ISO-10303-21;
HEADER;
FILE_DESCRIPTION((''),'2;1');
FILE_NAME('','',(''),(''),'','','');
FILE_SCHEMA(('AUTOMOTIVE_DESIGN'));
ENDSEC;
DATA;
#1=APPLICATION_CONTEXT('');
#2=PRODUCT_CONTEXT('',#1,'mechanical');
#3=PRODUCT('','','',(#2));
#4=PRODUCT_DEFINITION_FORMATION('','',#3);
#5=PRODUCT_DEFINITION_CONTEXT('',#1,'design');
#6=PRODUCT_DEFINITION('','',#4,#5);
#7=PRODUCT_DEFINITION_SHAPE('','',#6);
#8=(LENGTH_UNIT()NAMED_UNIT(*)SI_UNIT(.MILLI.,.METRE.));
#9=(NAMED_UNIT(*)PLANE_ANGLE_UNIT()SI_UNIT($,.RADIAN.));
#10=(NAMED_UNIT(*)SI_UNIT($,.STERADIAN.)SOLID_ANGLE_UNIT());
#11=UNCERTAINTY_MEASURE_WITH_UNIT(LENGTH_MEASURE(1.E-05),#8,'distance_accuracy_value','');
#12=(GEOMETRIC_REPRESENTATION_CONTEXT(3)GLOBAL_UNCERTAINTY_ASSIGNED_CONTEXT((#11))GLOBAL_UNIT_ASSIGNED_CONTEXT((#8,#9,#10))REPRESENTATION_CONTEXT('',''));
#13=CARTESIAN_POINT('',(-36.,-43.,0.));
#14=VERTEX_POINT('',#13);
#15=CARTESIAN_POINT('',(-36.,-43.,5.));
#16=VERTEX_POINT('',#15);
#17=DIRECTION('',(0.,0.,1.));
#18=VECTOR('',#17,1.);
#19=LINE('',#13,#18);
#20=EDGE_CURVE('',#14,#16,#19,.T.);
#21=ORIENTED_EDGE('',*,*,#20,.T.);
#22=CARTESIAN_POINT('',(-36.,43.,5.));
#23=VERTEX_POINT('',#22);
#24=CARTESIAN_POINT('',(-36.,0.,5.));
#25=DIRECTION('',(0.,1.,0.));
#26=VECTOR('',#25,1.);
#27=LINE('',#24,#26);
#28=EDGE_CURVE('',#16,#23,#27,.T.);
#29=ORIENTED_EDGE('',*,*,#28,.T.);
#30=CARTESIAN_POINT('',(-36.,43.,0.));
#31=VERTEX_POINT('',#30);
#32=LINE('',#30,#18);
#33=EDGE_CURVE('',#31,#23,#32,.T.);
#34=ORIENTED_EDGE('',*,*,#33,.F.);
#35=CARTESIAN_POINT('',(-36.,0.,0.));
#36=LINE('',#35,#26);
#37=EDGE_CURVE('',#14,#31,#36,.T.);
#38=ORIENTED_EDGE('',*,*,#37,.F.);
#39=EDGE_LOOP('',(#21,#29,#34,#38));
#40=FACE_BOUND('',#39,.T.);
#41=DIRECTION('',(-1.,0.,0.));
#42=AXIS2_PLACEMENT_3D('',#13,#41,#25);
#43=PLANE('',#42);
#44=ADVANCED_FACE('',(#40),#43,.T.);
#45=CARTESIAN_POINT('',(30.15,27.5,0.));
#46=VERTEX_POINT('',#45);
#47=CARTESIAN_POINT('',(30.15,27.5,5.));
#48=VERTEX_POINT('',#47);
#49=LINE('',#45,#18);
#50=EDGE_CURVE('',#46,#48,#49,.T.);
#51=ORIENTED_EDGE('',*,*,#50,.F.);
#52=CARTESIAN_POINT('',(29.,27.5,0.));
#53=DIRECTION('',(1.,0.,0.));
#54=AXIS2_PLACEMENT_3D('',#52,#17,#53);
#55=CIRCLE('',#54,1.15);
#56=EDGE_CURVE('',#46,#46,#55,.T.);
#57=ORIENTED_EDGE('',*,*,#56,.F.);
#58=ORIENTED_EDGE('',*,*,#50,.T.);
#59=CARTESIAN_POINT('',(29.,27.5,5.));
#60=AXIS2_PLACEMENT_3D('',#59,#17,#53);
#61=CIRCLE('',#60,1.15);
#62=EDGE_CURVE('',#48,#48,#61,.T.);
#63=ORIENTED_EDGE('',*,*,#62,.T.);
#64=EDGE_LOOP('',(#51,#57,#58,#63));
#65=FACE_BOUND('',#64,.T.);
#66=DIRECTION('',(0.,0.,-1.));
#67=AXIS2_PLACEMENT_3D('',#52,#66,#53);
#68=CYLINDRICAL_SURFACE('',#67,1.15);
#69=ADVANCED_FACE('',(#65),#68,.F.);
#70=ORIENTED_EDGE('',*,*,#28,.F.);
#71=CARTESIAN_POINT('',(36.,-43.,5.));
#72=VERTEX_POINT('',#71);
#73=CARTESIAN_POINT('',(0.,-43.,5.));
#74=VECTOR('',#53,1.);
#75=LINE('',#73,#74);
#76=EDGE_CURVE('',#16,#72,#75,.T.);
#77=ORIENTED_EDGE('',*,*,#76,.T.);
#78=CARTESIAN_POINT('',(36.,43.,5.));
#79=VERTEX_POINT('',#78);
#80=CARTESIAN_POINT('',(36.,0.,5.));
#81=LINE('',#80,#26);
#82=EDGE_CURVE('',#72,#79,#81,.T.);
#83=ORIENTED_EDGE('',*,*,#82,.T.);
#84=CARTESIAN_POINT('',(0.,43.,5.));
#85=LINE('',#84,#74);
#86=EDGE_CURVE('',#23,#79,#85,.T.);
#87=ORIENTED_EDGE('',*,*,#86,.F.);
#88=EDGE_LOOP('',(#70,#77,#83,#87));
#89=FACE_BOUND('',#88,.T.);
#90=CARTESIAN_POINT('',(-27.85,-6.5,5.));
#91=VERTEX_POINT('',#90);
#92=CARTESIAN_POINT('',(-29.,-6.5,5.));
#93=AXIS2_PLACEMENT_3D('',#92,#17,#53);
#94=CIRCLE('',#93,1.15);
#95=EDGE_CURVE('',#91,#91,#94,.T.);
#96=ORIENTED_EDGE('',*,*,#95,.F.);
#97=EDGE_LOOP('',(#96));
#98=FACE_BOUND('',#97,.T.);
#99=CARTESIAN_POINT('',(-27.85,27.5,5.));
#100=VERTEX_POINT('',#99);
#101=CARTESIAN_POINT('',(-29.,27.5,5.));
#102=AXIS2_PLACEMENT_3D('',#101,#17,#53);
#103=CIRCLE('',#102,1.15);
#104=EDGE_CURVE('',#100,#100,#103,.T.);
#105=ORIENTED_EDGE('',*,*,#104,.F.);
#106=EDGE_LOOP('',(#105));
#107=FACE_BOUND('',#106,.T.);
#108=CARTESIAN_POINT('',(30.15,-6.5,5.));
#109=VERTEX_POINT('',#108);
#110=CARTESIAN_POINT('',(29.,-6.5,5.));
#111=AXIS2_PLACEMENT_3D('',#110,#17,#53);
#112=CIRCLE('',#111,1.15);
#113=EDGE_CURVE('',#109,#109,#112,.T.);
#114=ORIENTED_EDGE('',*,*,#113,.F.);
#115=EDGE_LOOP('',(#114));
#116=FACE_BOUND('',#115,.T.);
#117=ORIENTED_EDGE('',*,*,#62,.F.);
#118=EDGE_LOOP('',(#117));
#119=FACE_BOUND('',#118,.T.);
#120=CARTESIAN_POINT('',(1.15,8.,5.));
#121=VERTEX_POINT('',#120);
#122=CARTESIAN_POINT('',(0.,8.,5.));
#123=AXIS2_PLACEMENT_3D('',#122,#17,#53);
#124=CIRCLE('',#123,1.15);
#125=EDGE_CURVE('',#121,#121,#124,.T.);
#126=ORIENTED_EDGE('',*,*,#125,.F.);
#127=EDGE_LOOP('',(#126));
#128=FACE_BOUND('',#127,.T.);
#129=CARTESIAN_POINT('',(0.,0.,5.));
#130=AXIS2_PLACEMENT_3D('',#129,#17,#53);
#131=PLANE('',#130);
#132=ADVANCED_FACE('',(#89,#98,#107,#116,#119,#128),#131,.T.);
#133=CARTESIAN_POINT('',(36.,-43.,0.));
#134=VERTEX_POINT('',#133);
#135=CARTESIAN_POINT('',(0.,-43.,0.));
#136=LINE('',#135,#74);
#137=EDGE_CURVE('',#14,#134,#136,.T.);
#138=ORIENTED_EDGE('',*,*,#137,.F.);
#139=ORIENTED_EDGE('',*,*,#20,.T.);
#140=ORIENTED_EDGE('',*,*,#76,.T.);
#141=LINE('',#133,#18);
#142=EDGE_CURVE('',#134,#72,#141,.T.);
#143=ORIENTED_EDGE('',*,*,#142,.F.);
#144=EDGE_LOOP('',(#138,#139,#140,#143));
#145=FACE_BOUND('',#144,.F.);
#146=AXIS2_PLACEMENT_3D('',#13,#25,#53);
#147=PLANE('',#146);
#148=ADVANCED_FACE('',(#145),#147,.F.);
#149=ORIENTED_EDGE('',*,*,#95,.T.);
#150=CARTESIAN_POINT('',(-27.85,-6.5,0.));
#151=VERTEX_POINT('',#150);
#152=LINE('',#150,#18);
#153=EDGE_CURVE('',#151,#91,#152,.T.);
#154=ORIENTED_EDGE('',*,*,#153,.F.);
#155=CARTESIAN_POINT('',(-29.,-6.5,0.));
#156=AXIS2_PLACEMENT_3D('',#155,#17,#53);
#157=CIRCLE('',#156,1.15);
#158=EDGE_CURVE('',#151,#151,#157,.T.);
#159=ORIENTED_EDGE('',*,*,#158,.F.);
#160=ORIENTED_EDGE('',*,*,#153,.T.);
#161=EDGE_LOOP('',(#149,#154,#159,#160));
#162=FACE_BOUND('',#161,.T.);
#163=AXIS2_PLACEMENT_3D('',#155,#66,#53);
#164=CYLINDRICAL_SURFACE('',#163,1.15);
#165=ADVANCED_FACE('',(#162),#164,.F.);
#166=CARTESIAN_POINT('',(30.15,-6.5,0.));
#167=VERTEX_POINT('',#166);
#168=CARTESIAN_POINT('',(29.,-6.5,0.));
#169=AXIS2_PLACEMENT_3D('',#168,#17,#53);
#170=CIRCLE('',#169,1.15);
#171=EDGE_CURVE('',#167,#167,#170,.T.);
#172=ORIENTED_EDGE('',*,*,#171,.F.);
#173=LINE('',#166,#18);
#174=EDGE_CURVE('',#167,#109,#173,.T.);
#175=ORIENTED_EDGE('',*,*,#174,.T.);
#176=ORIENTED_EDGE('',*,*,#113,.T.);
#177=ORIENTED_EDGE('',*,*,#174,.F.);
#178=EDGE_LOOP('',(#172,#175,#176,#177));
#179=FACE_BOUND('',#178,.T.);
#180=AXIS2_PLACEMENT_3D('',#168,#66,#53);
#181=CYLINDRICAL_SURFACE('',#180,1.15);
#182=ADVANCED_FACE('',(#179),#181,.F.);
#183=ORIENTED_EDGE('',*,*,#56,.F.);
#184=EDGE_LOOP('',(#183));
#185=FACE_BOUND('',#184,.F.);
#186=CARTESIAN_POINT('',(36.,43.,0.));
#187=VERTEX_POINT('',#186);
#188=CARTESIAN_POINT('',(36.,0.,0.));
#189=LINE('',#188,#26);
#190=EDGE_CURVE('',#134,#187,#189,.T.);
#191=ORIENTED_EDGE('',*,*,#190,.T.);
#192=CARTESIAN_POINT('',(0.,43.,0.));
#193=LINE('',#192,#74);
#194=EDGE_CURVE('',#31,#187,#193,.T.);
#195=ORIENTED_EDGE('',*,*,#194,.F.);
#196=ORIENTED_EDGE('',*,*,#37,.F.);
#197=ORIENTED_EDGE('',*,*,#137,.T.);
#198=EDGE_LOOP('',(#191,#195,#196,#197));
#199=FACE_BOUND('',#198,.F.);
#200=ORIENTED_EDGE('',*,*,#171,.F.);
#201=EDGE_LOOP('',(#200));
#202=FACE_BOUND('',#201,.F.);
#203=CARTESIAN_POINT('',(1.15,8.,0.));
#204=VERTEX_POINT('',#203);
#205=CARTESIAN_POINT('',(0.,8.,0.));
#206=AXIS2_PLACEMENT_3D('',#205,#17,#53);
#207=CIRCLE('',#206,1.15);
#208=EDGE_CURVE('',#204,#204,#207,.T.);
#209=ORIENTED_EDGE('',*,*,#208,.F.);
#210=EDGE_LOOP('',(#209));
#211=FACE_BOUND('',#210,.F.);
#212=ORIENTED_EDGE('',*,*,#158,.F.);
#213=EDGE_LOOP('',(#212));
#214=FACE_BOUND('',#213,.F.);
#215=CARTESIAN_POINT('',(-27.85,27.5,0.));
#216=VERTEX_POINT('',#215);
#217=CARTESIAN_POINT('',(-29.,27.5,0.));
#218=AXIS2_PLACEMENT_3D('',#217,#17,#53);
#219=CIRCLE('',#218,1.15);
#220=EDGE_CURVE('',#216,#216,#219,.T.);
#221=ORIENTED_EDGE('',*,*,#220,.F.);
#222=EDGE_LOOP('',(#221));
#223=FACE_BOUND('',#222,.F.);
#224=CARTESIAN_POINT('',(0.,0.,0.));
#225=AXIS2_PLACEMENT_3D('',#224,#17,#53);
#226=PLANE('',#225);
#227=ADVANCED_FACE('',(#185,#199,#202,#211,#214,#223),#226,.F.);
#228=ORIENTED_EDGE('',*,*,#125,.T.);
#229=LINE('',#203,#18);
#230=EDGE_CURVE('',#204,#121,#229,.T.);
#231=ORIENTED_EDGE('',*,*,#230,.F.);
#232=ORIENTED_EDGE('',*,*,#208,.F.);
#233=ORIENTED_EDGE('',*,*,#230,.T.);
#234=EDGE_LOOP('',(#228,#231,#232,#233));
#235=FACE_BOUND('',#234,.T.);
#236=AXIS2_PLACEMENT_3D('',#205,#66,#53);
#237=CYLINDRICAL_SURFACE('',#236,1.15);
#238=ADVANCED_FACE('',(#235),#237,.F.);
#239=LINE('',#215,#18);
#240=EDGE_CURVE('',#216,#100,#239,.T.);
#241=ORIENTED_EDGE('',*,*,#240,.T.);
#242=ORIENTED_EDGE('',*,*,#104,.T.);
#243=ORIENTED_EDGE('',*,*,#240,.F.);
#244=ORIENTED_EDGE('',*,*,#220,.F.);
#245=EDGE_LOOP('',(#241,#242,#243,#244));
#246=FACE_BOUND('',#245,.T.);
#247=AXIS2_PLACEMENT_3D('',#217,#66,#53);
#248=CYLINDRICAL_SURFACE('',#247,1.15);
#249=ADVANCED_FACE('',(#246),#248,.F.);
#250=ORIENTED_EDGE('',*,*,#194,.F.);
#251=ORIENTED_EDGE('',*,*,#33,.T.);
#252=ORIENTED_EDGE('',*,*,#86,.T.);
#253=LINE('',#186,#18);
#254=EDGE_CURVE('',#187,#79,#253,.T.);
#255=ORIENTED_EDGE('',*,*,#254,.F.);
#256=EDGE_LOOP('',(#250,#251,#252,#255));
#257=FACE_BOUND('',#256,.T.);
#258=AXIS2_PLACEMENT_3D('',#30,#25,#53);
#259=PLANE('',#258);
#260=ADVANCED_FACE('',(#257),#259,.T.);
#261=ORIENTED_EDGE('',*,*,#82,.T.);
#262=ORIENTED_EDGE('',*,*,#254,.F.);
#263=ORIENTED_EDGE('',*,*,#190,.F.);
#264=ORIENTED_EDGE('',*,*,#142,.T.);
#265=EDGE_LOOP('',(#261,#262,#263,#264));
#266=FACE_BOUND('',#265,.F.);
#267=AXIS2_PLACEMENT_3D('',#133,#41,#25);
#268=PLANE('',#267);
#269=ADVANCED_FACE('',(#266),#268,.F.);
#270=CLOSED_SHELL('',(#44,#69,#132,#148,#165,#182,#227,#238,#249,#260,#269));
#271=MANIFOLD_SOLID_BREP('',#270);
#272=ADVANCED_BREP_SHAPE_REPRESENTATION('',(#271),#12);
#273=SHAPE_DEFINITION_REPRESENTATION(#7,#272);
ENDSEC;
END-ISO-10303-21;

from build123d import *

# Parameters (mm, degrees)
F0_W     = 72
F0_H     = 86
F0_R     = 1.15
F1_DEPTH = 5


with BuildPart() as f1:
    # F0 (on Top) → F1 (new body)
    with BuildSketch(Plane.XY):
        Rectangle(F0_W, F0_H)
        with Locations((-29, -6.5)):
            Circle(F0_R, mode=Mode.SUBTRACT)
        with Locations((29, -6.5)):
            Circle(F0_R, mode=Mode.SUBTRACT)
        with Locations((-29, 27.5)):
            Circle(F0_R, mode=Mode.SUBTRACT)
        with Locations((0, 8)):
            Circle(F0_R, mode=Mode.SUBTRACT)
        with Locations((29, 27.5)):
            Circle(F0_R, mode=Mode.SUBTRACT)
    extrude(amount=F1_DEPTH)


solid = f1.part
